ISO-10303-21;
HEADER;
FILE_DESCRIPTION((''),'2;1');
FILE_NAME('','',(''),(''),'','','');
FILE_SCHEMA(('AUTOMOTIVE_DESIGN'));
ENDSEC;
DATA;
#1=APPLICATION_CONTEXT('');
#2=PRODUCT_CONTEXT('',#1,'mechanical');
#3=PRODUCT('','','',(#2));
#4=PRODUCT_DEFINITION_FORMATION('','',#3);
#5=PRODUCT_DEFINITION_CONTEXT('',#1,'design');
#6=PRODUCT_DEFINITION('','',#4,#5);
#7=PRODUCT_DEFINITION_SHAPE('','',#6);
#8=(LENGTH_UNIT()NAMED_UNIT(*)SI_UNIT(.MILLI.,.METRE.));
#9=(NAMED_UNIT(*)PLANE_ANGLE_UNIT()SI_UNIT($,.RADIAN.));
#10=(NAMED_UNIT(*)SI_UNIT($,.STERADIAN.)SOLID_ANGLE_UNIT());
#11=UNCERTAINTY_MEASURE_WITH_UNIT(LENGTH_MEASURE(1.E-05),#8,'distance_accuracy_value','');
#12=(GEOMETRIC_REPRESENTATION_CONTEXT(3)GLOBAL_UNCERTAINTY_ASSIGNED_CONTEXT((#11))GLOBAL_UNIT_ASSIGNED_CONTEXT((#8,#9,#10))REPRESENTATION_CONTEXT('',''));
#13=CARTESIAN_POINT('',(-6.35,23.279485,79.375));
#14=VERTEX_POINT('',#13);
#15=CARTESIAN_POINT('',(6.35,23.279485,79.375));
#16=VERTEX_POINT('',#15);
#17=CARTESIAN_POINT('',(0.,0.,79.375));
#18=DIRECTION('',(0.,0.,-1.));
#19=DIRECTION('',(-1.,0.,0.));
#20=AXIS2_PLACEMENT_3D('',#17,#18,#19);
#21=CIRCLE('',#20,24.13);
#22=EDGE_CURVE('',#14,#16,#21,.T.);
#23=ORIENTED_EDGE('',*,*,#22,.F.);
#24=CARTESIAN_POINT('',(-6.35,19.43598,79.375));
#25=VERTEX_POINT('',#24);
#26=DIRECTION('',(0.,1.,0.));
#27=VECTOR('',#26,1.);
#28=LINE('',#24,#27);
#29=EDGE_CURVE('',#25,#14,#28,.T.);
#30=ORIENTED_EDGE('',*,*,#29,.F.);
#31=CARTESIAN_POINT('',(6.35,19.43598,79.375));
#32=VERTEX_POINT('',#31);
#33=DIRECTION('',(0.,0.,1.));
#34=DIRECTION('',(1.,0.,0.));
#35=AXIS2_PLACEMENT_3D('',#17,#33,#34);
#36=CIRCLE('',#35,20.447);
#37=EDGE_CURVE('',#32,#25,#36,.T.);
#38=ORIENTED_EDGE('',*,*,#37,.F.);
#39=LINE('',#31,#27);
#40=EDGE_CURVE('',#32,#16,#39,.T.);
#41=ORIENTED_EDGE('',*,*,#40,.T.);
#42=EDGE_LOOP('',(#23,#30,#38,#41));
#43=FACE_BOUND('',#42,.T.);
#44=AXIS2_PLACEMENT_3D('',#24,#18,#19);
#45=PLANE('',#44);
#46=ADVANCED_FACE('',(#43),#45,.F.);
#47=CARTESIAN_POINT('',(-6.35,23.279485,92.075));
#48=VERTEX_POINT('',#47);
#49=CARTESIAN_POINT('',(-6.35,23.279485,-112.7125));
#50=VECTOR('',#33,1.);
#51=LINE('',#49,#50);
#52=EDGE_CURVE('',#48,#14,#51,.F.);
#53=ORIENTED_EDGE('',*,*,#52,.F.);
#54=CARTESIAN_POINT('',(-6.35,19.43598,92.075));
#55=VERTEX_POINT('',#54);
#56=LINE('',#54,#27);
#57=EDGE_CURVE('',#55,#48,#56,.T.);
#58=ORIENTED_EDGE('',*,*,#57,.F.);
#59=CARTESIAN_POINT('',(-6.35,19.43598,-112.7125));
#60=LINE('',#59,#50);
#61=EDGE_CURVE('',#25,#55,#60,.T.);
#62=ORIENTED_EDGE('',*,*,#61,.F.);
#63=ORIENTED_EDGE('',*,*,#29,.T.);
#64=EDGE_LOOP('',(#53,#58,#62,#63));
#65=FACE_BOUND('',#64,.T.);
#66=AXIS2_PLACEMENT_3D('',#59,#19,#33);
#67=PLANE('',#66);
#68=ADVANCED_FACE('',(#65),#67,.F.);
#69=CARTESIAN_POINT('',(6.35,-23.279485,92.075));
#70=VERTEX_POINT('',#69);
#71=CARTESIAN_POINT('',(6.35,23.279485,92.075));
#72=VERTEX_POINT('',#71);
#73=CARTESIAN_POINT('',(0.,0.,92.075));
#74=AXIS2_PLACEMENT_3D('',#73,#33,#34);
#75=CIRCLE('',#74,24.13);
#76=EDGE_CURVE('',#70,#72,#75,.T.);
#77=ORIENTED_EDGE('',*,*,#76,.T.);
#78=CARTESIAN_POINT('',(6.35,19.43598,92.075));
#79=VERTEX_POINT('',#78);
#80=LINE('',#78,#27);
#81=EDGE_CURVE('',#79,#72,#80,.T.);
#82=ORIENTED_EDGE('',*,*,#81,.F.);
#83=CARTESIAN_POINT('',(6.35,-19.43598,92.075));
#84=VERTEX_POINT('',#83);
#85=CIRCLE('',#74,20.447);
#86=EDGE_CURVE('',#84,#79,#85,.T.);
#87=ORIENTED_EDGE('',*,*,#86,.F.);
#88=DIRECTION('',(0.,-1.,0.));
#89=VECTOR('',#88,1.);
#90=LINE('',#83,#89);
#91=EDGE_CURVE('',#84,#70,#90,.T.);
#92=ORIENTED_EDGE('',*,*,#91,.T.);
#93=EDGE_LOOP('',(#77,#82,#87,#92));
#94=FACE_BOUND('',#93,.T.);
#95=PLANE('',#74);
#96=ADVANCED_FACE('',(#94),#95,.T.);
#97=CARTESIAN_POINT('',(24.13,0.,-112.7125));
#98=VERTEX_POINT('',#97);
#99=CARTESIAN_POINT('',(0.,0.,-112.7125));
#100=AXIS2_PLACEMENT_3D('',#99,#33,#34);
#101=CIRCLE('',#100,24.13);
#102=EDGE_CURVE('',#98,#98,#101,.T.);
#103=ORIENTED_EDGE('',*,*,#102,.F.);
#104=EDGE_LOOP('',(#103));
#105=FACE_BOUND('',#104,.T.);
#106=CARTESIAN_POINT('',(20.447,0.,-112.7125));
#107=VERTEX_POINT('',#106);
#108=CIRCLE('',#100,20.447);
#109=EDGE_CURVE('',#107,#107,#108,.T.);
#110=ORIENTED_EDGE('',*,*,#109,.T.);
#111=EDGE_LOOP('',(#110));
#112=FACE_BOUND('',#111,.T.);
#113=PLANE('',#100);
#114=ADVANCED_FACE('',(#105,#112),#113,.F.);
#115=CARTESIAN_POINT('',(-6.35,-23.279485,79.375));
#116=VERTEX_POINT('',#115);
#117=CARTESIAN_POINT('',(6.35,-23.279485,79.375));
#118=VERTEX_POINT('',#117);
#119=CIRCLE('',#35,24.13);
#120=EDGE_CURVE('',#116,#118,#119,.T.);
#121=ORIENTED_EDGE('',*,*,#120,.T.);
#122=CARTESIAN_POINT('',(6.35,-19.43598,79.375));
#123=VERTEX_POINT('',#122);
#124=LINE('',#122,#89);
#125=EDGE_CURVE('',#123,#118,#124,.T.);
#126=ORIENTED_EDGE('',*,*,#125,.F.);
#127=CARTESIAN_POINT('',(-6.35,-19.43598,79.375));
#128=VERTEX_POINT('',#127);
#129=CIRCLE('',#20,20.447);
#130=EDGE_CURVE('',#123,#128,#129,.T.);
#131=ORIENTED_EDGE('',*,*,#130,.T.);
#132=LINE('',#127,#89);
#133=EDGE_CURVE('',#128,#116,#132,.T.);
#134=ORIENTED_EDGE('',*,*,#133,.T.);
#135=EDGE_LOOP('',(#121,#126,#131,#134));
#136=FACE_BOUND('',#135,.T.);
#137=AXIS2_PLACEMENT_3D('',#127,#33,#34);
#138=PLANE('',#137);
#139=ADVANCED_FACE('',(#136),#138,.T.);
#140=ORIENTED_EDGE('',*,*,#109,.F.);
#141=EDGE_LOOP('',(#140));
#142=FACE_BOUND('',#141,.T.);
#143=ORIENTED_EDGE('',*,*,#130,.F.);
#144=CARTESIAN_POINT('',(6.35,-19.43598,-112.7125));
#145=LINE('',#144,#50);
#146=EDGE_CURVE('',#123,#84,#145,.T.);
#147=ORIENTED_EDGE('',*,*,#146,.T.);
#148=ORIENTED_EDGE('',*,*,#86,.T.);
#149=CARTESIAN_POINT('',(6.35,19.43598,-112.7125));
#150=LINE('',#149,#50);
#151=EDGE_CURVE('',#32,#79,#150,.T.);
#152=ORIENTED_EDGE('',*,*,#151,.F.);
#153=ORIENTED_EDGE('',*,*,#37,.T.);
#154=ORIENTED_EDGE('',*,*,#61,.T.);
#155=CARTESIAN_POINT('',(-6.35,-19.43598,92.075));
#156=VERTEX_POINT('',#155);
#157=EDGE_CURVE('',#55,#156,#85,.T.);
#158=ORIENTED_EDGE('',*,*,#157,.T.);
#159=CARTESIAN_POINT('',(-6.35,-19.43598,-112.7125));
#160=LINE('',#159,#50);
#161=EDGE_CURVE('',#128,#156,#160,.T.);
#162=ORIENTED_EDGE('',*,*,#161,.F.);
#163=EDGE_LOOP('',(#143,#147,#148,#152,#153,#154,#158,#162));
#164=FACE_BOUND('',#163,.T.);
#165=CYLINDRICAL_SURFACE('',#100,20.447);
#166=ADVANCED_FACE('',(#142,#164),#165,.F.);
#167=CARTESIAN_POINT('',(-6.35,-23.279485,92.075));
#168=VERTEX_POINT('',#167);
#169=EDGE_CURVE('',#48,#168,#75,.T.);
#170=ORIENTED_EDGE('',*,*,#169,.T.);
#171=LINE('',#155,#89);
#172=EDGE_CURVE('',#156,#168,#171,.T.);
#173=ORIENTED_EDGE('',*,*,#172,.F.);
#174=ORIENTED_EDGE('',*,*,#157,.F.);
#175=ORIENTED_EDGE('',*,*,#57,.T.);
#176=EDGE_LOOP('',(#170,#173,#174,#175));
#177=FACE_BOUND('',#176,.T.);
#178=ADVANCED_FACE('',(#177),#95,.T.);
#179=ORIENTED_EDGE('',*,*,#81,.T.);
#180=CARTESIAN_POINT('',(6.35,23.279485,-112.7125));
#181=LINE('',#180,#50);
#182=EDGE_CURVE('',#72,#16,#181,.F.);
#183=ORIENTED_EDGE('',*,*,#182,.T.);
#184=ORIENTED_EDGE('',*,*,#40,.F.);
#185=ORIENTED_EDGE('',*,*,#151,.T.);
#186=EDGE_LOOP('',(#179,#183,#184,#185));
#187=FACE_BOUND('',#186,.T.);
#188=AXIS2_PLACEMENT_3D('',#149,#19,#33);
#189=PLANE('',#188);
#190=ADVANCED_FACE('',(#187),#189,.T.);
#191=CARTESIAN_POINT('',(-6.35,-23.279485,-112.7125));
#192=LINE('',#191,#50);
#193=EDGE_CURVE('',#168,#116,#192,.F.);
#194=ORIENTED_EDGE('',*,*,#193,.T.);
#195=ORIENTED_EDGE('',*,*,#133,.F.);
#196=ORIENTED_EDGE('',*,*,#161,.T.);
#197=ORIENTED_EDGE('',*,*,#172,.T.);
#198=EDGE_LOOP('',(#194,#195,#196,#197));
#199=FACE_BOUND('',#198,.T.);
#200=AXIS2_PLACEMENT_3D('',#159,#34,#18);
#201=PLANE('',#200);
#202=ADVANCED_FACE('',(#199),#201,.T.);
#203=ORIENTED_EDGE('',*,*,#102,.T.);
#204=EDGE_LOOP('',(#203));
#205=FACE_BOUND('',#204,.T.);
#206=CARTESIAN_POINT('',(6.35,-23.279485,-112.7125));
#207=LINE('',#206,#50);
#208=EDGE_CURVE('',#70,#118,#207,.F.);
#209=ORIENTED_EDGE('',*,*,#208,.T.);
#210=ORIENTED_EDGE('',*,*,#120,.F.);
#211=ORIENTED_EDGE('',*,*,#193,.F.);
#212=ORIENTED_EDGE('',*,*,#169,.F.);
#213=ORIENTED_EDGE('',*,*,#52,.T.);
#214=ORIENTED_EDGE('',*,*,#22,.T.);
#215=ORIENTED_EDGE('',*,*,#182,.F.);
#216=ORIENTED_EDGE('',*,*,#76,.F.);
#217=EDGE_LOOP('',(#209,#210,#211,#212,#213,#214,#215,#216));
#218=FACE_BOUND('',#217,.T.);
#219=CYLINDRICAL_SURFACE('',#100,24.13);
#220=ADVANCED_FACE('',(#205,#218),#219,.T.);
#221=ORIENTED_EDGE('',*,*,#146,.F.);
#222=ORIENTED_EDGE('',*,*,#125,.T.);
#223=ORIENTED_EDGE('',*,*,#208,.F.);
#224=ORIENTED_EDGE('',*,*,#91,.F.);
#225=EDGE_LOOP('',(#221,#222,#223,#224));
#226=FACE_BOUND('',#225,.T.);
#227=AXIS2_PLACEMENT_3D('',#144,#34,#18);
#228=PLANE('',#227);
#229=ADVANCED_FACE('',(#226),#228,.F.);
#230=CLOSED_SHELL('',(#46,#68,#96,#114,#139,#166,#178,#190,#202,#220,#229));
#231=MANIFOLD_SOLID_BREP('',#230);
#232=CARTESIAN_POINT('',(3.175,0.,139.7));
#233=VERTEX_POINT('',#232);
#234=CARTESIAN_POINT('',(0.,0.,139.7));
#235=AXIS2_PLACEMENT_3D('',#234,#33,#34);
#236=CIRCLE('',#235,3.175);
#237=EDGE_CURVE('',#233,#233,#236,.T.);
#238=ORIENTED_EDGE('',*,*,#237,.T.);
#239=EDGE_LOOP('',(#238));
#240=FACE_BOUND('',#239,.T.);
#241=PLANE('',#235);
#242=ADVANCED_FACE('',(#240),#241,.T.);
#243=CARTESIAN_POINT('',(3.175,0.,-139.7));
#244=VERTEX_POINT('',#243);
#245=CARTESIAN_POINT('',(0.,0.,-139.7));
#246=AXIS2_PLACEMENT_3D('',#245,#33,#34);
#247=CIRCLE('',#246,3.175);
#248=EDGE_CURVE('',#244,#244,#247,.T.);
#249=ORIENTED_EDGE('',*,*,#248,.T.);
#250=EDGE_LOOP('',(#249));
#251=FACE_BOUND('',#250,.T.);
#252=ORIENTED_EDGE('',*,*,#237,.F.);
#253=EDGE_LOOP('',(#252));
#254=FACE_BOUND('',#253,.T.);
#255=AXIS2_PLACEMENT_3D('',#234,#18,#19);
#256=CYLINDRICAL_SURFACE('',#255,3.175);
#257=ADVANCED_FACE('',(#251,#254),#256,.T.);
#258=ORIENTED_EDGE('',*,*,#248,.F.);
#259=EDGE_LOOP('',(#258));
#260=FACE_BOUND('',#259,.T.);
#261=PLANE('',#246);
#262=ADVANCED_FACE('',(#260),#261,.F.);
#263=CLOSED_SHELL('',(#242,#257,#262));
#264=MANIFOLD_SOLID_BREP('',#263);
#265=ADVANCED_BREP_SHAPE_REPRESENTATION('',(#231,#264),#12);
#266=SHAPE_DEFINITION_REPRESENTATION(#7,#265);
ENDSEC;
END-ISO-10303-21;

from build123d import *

# Parameters (mm, degrees)
SKETCH1_R                = 3.175
BOSS_EXTRUDE1_DEPTH      = 139.7
SKETCH2_R                = 24.13
SKETCH2_R_2              = 20.447
BOSS_EXTRUDE2_DEPTH      = 92.075
BOSS_EXTRUDE2_DEPTH_BACK = 112.7125
CUT_EXTRUDE1_START       = 19.43598
SKETCH3_W                = 12.7
SKETCH3_H                = 12.7
CUT_EXTRUDE1_DEPTH       = 4.69402


with BuildPart() as part:
    # Sketch1 → Boss-Extrude1 (new body, symmetric)
    with BuildSketch(Plane.XY):
        Circle(SKETCH1_R)
    extrude(amount=BOSS_EXTRUDE1_DEPTH, both=True)


with BuildPart() as body_2:
    # Sketch2 → Boss-Extrude2 (new body, two sides)
    with BuildSketch(Plane.XY) as boss_extrude2_sk:
        Circle(SKETCH2_R)
        Circle(SKETCH2_R_2, mode=Mode.SUBTRACT)
    extrude(amount=BOSS_EXTRUDE2_DEPTH)
    extrude(boss_extrude2_sk.sketch, amount=-BOSS_EXTRUDE2_DEPTH_BACK)

    # Sketch3 → Cut-Extrude1 (cut)
    with BuildSketch(Plane(origin=(0, 0, 0), x_dir=(1, 0, 0), z_dir=(0, 1, 0)).offset(CUT_EXTRUDE1_START)):
        with Locations((0, -85.725)):
            Rectangle(SKETCH3_W, SKETCH3_H)
    cut_extrude1 = extrude(amount=CUT_EXTRUDE1_DEPTH, mode=Mode.SUBTRACT)

    # Mirror1: Cut-Extrude1 across plane
    add(cut_extrude1.mirror(Plane.ZX), mode=Mode.SUBTRACT)


solid = Compound([part.part, body_2.part])
